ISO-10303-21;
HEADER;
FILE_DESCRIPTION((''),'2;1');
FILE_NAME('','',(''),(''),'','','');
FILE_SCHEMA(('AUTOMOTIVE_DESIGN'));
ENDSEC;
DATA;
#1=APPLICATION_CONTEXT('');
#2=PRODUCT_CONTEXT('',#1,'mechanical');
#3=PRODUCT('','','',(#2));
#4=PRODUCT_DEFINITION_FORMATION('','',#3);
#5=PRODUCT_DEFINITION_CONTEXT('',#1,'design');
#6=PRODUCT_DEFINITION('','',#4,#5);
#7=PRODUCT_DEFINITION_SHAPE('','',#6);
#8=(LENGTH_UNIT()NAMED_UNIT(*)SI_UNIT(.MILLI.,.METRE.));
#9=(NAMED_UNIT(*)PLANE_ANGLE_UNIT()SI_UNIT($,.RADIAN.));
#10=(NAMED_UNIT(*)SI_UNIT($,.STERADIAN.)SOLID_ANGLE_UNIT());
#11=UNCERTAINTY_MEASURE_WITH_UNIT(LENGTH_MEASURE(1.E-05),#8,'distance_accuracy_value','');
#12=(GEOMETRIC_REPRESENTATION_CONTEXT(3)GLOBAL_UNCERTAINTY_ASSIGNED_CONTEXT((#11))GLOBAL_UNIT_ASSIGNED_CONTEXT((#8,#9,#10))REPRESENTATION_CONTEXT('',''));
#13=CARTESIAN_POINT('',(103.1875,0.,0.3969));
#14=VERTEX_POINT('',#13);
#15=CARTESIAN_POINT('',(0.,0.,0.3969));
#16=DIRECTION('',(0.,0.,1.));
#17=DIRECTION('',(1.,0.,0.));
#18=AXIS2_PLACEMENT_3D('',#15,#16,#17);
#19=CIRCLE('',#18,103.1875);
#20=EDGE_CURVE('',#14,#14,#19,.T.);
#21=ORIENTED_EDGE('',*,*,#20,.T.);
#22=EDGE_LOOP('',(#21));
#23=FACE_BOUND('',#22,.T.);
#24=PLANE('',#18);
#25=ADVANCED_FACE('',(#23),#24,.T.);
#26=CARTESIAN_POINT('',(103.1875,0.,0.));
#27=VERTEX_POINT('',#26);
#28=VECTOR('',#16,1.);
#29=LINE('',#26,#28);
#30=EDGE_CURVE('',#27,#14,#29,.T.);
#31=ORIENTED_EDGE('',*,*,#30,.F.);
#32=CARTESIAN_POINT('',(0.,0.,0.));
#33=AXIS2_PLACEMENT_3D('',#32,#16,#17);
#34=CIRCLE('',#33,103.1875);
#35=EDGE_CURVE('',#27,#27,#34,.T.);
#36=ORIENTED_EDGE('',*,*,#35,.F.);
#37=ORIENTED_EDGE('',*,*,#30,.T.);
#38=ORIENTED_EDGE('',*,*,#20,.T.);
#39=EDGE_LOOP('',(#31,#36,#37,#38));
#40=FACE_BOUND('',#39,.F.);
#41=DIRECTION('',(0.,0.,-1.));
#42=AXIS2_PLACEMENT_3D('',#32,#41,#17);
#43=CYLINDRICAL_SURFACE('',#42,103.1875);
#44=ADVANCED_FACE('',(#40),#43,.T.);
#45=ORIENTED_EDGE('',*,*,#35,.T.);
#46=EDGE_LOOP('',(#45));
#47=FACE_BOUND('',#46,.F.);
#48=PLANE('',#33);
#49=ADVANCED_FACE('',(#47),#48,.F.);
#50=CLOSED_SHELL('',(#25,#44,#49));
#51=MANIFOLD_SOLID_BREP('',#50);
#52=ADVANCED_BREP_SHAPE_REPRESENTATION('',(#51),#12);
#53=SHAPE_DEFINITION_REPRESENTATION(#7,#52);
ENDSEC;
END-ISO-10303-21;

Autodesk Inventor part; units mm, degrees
ref_plane "YZ Plane" through (0, 0, 0) normal (1, 0, 0) x (0, 1, 0)
ref_plane "XZ Plane" through (0, 0, 0) normal (0, 1, 0) x (-1, 0, 0)
ref_plane "XY Plane" through (0, 0, 0) normal (0, 0, 1) x (1, 0, 0)
sketch "Sketch1" plane through (0, 0, 0) normal (0, 0, 1) x (1, 0, 0)
  circle A0 centre (0, 0) radius 103.1875
  dimension "d0" = 206.375
  dimension "d0" = 206.375
extrude "Extrusion1" add sketch "Sketch1" along normal blind 0.3969
properties part number "Duct_Guard"
